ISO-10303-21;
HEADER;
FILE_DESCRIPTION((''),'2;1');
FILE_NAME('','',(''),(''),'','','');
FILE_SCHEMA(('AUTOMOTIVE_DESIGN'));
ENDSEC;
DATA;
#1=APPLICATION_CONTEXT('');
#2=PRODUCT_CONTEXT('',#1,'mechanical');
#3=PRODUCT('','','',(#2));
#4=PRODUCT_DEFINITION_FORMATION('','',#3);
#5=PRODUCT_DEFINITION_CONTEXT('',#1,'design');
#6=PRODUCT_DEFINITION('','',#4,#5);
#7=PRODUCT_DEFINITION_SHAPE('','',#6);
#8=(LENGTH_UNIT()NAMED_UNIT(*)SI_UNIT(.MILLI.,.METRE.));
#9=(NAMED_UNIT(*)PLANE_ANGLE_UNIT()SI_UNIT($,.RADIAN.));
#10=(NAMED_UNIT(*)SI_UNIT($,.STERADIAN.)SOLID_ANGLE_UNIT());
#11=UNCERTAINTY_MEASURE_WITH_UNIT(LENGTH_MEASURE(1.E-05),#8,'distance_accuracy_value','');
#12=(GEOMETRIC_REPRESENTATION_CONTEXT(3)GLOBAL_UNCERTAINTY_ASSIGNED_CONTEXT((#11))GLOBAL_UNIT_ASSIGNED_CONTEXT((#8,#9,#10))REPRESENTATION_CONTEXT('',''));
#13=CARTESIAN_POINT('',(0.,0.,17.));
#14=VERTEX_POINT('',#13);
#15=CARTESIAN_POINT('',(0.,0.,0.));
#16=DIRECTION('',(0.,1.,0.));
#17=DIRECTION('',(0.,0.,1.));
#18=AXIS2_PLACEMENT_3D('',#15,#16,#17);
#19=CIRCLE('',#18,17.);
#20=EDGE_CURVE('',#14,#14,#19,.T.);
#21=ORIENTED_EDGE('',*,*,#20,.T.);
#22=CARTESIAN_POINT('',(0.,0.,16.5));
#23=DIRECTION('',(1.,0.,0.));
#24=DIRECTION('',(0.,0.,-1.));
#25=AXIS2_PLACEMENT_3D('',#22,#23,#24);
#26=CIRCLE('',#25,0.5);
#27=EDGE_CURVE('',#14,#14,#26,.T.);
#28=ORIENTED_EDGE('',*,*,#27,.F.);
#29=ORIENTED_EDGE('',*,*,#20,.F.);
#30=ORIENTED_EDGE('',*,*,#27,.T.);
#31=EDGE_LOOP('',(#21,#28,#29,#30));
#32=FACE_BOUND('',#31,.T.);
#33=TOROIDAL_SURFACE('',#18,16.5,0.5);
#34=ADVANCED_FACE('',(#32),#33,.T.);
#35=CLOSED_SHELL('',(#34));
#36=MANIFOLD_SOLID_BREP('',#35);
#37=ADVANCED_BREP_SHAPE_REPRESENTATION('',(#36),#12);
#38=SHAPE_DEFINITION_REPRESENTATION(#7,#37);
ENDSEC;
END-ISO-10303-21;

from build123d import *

# Parameters (mm, degrees)
SWEEP_1_PROFILE_R = 0.5


with BuildPart() as part:
    # 扫描1: sweep along a path in 草图1
    with BuildLine(Plane(origin=(0, 0, 0), x_dir=(1, 0, 0), z_dir=(0, 1, 0))) as sweep_1_path:
        CenterArc((0, 0), 16.5, 0, 360)
    # 扫描1 profile (on start of the path) → 扫描1 (sweep)
    with BuildSketch(Plane(origin=(16.5, 0, 0), x_dir=(-1, 0, 0), z_dir=(0, 0, -1))):
        Circle(SWEEP_1_PROFILE_R)
    sweep(path=sweep_1_path.line)


solid = part.part
